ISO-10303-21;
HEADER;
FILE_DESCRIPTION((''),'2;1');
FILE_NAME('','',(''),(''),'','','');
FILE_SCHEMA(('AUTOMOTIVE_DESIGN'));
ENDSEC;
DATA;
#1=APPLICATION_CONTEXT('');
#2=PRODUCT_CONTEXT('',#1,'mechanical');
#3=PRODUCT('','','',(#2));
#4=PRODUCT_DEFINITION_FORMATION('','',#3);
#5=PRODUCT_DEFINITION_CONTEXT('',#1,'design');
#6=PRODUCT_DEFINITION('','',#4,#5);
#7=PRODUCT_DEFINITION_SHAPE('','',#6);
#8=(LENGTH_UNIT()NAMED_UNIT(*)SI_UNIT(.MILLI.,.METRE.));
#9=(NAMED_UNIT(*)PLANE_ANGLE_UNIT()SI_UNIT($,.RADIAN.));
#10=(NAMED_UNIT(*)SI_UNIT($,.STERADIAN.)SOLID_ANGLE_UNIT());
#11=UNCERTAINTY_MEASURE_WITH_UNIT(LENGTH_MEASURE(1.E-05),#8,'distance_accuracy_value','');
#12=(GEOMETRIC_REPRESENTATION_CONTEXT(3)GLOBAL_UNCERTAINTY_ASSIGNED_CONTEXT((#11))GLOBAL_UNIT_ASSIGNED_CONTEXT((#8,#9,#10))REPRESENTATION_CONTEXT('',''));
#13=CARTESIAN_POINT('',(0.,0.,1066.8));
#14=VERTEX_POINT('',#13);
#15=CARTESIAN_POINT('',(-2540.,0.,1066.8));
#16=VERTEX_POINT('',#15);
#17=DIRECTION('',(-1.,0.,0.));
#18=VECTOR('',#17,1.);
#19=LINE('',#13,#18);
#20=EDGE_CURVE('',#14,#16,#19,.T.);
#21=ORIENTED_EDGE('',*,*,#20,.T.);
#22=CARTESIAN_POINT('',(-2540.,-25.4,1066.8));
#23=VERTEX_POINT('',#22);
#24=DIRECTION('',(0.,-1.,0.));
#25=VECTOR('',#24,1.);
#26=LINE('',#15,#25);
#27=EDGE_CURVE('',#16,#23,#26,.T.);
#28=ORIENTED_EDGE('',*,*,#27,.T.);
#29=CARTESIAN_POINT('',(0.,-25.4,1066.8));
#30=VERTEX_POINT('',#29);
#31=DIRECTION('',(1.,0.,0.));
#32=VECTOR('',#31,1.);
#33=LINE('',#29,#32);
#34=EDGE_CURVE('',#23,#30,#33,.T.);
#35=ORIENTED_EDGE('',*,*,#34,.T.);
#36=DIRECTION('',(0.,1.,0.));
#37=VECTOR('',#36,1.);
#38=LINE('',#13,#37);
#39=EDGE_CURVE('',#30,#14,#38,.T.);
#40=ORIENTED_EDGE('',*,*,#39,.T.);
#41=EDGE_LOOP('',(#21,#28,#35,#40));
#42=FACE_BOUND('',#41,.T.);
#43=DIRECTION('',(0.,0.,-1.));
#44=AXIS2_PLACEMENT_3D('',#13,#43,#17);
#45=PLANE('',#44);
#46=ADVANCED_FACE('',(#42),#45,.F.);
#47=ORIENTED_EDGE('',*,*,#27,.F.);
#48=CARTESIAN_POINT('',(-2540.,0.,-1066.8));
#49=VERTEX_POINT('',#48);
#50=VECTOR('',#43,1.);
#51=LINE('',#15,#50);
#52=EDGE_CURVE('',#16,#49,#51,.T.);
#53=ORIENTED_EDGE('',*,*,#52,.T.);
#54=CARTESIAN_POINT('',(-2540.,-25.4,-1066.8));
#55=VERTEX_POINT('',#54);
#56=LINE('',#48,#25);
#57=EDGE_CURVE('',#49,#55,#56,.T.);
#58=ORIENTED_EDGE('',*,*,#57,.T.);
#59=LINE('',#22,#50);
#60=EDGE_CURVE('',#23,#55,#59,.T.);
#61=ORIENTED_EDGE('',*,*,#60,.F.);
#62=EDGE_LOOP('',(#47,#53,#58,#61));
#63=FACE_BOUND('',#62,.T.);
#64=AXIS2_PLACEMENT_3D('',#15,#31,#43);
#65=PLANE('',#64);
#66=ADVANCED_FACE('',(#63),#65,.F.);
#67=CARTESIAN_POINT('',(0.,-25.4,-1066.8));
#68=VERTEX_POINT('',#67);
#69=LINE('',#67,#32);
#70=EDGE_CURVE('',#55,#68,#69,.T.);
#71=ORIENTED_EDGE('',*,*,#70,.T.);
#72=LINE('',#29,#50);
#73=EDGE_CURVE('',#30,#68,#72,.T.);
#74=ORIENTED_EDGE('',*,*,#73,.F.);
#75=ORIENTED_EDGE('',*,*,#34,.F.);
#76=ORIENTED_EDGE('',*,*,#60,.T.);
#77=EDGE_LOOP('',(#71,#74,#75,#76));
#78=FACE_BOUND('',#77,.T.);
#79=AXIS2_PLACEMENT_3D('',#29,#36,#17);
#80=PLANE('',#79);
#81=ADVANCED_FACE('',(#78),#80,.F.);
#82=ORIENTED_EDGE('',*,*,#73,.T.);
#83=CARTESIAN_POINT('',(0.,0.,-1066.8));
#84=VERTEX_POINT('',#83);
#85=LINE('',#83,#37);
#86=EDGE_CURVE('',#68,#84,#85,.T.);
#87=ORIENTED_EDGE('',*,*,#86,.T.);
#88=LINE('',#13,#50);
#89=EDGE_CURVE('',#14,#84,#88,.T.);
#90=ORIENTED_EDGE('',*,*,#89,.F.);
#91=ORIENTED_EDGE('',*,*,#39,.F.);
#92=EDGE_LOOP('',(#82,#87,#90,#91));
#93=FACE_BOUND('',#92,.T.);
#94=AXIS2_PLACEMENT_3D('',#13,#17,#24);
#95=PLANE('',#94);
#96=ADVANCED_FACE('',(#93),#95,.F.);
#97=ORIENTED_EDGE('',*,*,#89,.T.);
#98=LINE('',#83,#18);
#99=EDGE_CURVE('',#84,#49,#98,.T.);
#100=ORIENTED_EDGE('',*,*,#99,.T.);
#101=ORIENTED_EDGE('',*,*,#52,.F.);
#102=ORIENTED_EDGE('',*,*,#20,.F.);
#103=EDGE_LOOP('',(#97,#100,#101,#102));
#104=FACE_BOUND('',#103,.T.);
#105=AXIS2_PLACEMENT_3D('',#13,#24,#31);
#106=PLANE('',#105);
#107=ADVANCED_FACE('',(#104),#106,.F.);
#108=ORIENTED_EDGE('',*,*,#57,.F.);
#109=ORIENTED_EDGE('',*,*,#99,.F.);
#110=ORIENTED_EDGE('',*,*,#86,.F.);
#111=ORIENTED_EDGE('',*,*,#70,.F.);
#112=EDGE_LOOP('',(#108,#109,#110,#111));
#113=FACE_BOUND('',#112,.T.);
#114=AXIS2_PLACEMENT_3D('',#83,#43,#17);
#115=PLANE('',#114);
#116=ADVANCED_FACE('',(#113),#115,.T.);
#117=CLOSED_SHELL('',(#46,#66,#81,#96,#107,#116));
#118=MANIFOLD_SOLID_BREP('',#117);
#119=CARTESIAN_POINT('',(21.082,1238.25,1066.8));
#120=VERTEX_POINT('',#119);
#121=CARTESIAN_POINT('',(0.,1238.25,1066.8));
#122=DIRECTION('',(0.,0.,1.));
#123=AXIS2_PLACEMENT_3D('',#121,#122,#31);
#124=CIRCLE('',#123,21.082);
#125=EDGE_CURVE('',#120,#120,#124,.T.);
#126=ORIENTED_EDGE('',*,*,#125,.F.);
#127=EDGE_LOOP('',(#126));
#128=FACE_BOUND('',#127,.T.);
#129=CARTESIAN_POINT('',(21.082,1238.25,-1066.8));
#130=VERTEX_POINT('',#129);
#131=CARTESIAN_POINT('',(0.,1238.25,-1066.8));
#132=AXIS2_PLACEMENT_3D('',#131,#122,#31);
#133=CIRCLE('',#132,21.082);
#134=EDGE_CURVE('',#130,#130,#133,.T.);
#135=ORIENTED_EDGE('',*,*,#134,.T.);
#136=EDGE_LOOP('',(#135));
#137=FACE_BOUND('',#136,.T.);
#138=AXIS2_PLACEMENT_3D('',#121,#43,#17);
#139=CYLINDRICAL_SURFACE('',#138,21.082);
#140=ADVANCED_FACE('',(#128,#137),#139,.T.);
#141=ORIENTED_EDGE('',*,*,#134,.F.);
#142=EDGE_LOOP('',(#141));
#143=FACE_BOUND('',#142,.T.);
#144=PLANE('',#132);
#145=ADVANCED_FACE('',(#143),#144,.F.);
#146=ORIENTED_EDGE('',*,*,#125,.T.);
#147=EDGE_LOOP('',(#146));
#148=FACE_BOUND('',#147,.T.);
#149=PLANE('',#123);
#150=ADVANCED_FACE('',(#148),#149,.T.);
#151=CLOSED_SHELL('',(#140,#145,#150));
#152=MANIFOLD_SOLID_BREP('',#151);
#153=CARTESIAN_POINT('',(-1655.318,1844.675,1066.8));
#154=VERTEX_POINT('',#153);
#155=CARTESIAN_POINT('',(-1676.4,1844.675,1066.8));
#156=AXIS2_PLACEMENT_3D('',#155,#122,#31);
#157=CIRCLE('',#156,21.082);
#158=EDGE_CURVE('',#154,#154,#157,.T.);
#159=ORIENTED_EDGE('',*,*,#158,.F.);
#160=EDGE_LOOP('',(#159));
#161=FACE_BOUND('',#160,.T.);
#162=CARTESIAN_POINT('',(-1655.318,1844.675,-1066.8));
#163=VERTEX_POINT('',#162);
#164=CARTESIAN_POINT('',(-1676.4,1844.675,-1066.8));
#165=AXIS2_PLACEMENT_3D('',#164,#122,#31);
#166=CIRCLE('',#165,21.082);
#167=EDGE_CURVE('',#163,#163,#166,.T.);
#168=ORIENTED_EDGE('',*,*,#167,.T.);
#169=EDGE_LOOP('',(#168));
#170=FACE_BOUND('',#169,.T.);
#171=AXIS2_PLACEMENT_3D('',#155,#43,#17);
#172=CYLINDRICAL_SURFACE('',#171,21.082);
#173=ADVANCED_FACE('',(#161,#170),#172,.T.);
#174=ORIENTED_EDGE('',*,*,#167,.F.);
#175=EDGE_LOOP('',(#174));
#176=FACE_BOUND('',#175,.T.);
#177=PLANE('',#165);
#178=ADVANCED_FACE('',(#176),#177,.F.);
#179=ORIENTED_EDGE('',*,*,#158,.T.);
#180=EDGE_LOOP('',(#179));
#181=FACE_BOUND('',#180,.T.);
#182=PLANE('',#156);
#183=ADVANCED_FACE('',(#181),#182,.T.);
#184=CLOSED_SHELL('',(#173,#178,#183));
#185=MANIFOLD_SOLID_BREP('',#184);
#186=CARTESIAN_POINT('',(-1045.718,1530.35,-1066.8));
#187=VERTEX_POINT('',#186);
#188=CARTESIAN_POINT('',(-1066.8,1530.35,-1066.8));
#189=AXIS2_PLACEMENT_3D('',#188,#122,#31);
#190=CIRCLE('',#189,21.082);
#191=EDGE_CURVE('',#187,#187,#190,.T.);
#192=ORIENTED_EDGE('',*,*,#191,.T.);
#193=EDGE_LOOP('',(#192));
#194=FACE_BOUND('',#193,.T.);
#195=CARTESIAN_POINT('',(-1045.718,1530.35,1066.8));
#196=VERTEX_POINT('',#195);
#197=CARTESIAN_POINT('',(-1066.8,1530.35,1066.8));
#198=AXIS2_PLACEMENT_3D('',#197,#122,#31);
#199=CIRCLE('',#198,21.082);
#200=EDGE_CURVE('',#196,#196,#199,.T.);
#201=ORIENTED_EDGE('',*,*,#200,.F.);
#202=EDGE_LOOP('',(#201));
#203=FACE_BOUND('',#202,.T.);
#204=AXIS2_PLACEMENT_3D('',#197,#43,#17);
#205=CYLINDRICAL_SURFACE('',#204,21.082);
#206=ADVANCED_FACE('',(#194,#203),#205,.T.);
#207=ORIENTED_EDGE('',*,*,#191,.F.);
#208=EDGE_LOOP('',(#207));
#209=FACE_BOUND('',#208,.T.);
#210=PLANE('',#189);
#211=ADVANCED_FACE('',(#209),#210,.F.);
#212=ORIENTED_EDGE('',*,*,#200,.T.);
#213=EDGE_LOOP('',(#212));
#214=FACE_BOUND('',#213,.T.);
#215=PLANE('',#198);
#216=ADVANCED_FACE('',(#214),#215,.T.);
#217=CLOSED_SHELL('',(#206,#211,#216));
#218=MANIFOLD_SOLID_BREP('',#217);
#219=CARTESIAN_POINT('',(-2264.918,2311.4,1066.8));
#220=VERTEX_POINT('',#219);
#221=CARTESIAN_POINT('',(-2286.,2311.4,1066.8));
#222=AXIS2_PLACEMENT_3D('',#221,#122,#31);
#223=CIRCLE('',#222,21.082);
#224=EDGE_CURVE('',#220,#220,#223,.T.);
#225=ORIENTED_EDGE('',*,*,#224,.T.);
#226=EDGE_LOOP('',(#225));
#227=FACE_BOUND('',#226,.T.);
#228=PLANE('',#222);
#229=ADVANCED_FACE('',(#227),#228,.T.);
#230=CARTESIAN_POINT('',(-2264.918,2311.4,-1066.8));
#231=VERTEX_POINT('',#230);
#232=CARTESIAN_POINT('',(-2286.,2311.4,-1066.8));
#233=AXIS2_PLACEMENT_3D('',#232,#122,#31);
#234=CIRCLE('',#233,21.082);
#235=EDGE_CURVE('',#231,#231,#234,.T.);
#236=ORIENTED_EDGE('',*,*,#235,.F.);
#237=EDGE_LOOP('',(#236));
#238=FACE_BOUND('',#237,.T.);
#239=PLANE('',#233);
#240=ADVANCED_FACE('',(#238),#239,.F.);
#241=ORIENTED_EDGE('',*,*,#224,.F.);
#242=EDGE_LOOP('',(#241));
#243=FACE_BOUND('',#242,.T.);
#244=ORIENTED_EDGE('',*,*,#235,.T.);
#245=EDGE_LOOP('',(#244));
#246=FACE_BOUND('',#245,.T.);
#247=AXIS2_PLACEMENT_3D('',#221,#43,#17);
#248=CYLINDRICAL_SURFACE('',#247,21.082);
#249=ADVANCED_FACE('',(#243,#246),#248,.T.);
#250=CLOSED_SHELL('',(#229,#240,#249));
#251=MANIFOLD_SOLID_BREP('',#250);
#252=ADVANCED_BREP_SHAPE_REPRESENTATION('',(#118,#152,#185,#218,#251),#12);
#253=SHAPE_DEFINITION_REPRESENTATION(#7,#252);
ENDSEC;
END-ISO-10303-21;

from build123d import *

# Parameters (mm, degrees)
SKETCH1_R             = 21.082
BOSS_EXTRUDE1_DEPTH   = 1066.8
BOSS_EXTRUDE1_2_DEPTH = 1066.8
BOSS_EXTRUDE1_3_DEPTH = 1066.8
BOSS_EXTRUDE1_4_DEPTH = 1066.8
SKETCH1_W             = 2540
SKETCH1_H             = 25.4
BOSS_EXTRUDE1_5_DEPTH = 1066.8


with BuildPart() as part:
    # Sketch1 → Boss-Extrude1 (new body, symmetric)
    with BuildSketch(Plane.XY):
        with Locations((0, 1238.25)):
            Circle(SKETCH1_R)
    extrude(amount=BOSS_EXTRUDE1_DEPTH, both=True)


with BuildPart() as body_2:
    # Sketch1 → Boss-Extrude1 2 (new body, symmetric)
    with BuildSketch(Plane.XY):
        with Locations((-1066.8, 1530.35)):
            Circle(SKETCH1_R)
    extrude(amount=BOSS_EXTRUDE1_2_DEPTH, both=True)


with BuildPart() as body_3:
    # Sketch1 → Boss-Extrude1 3 (new body, symmetric)
    with BuildSketch(Plane.XY):
        with Locations((-1676.4, 1844.675)):
            Circle(SKETCH1_R)
    extrude(amount=BOSS_EXTRUDE1_3_DEPTH, both=True)


with BuildPart() as body_4:
    # Sketch1 → Boss-Extrude1 4 (new body, symmetric)
    with BuildSketch(Plane.XY):
        with Locations((-2286, 2311.4)):
            Circle(SKETCH1_R)
    extrude(amount=BOSS_EXTRUDE1_4_DEPTH, both=True)


with BuildPart() as body_5:
    # Sketch1 → Boss-Extrude1 5 (new body, symmetric)
    with BuildSketch(Plane.XY):
        with Locations((-1270, -12.7)):
            Rectangle(SKETCH1_W, SKETCH1_H)
    extrude(amount=BOSS_EXTRUDE1_5_DEPTH, both=True)


solid = Compound([part.part, body_2.part, body_3.part, body_4.part, body_5.part])
